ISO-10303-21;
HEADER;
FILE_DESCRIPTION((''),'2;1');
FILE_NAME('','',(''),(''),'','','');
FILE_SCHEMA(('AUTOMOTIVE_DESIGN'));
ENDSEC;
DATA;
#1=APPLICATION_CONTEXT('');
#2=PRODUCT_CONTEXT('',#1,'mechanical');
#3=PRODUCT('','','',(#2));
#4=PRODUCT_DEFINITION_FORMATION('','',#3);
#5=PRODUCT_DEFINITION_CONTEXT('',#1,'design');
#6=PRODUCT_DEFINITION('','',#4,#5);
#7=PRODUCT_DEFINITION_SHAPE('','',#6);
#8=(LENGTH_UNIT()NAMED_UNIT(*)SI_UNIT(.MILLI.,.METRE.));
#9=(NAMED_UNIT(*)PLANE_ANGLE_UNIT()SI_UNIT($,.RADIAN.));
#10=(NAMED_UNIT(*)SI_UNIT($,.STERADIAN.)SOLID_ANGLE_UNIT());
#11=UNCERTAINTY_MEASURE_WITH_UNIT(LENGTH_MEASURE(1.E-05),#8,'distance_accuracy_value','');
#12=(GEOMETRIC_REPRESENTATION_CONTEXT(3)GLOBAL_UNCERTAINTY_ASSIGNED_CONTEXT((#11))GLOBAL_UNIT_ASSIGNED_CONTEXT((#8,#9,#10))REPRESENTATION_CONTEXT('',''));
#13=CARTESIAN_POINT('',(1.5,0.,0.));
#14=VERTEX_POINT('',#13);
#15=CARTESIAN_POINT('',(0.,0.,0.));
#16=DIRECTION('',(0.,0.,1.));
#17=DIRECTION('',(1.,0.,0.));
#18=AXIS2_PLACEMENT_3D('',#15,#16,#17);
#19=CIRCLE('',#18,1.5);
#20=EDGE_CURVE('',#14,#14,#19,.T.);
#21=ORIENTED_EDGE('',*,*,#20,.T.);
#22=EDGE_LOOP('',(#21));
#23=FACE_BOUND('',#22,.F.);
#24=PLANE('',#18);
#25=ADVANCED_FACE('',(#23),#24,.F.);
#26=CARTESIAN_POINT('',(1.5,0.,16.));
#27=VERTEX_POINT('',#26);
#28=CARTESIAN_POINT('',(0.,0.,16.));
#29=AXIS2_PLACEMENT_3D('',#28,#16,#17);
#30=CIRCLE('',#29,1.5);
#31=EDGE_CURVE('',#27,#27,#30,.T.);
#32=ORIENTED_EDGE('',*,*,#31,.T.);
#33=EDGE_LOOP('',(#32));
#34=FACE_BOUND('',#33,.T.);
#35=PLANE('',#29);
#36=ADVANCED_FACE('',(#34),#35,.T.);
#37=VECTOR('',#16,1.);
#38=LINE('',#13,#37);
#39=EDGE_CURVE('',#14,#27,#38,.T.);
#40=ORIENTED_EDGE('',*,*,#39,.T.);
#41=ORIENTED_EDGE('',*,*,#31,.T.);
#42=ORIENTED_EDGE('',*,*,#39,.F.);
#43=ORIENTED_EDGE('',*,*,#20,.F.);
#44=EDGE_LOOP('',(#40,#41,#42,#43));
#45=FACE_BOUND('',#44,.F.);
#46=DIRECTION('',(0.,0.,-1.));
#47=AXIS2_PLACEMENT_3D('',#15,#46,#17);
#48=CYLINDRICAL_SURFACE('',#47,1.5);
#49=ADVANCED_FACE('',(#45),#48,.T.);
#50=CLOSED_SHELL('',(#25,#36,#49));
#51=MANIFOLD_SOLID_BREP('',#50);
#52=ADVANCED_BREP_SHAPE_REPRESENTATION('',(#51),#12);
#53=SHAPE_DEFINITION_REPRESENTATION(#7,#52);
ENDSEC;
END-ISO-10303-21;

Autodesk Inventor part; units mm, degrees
ref_plane "YZ Plane" through (0, 0, 0) normal (1, 0, 0) x (0, 1, 0)
ref_plane "XZ Plane" through (0, 0, 0) normal (0, 1, 0) x (-1, 0, 0)
ref_plane "XY Plane" through (0, 0, 0) normal (0, 0, 1) x (1, 0, 0)
sketch "スケッチ1" plane through (0, 0, 0) normal (0, 0, 1) x (1, 0, 0)
  circle A0 centre (0, 0) radius 1.5
  dimension "d0" = 3
extrude "押し出し1" add sketch "スケッチ1" along normal blind 16
properties part number "ステンレス平行ピンΦ3h7_16"
